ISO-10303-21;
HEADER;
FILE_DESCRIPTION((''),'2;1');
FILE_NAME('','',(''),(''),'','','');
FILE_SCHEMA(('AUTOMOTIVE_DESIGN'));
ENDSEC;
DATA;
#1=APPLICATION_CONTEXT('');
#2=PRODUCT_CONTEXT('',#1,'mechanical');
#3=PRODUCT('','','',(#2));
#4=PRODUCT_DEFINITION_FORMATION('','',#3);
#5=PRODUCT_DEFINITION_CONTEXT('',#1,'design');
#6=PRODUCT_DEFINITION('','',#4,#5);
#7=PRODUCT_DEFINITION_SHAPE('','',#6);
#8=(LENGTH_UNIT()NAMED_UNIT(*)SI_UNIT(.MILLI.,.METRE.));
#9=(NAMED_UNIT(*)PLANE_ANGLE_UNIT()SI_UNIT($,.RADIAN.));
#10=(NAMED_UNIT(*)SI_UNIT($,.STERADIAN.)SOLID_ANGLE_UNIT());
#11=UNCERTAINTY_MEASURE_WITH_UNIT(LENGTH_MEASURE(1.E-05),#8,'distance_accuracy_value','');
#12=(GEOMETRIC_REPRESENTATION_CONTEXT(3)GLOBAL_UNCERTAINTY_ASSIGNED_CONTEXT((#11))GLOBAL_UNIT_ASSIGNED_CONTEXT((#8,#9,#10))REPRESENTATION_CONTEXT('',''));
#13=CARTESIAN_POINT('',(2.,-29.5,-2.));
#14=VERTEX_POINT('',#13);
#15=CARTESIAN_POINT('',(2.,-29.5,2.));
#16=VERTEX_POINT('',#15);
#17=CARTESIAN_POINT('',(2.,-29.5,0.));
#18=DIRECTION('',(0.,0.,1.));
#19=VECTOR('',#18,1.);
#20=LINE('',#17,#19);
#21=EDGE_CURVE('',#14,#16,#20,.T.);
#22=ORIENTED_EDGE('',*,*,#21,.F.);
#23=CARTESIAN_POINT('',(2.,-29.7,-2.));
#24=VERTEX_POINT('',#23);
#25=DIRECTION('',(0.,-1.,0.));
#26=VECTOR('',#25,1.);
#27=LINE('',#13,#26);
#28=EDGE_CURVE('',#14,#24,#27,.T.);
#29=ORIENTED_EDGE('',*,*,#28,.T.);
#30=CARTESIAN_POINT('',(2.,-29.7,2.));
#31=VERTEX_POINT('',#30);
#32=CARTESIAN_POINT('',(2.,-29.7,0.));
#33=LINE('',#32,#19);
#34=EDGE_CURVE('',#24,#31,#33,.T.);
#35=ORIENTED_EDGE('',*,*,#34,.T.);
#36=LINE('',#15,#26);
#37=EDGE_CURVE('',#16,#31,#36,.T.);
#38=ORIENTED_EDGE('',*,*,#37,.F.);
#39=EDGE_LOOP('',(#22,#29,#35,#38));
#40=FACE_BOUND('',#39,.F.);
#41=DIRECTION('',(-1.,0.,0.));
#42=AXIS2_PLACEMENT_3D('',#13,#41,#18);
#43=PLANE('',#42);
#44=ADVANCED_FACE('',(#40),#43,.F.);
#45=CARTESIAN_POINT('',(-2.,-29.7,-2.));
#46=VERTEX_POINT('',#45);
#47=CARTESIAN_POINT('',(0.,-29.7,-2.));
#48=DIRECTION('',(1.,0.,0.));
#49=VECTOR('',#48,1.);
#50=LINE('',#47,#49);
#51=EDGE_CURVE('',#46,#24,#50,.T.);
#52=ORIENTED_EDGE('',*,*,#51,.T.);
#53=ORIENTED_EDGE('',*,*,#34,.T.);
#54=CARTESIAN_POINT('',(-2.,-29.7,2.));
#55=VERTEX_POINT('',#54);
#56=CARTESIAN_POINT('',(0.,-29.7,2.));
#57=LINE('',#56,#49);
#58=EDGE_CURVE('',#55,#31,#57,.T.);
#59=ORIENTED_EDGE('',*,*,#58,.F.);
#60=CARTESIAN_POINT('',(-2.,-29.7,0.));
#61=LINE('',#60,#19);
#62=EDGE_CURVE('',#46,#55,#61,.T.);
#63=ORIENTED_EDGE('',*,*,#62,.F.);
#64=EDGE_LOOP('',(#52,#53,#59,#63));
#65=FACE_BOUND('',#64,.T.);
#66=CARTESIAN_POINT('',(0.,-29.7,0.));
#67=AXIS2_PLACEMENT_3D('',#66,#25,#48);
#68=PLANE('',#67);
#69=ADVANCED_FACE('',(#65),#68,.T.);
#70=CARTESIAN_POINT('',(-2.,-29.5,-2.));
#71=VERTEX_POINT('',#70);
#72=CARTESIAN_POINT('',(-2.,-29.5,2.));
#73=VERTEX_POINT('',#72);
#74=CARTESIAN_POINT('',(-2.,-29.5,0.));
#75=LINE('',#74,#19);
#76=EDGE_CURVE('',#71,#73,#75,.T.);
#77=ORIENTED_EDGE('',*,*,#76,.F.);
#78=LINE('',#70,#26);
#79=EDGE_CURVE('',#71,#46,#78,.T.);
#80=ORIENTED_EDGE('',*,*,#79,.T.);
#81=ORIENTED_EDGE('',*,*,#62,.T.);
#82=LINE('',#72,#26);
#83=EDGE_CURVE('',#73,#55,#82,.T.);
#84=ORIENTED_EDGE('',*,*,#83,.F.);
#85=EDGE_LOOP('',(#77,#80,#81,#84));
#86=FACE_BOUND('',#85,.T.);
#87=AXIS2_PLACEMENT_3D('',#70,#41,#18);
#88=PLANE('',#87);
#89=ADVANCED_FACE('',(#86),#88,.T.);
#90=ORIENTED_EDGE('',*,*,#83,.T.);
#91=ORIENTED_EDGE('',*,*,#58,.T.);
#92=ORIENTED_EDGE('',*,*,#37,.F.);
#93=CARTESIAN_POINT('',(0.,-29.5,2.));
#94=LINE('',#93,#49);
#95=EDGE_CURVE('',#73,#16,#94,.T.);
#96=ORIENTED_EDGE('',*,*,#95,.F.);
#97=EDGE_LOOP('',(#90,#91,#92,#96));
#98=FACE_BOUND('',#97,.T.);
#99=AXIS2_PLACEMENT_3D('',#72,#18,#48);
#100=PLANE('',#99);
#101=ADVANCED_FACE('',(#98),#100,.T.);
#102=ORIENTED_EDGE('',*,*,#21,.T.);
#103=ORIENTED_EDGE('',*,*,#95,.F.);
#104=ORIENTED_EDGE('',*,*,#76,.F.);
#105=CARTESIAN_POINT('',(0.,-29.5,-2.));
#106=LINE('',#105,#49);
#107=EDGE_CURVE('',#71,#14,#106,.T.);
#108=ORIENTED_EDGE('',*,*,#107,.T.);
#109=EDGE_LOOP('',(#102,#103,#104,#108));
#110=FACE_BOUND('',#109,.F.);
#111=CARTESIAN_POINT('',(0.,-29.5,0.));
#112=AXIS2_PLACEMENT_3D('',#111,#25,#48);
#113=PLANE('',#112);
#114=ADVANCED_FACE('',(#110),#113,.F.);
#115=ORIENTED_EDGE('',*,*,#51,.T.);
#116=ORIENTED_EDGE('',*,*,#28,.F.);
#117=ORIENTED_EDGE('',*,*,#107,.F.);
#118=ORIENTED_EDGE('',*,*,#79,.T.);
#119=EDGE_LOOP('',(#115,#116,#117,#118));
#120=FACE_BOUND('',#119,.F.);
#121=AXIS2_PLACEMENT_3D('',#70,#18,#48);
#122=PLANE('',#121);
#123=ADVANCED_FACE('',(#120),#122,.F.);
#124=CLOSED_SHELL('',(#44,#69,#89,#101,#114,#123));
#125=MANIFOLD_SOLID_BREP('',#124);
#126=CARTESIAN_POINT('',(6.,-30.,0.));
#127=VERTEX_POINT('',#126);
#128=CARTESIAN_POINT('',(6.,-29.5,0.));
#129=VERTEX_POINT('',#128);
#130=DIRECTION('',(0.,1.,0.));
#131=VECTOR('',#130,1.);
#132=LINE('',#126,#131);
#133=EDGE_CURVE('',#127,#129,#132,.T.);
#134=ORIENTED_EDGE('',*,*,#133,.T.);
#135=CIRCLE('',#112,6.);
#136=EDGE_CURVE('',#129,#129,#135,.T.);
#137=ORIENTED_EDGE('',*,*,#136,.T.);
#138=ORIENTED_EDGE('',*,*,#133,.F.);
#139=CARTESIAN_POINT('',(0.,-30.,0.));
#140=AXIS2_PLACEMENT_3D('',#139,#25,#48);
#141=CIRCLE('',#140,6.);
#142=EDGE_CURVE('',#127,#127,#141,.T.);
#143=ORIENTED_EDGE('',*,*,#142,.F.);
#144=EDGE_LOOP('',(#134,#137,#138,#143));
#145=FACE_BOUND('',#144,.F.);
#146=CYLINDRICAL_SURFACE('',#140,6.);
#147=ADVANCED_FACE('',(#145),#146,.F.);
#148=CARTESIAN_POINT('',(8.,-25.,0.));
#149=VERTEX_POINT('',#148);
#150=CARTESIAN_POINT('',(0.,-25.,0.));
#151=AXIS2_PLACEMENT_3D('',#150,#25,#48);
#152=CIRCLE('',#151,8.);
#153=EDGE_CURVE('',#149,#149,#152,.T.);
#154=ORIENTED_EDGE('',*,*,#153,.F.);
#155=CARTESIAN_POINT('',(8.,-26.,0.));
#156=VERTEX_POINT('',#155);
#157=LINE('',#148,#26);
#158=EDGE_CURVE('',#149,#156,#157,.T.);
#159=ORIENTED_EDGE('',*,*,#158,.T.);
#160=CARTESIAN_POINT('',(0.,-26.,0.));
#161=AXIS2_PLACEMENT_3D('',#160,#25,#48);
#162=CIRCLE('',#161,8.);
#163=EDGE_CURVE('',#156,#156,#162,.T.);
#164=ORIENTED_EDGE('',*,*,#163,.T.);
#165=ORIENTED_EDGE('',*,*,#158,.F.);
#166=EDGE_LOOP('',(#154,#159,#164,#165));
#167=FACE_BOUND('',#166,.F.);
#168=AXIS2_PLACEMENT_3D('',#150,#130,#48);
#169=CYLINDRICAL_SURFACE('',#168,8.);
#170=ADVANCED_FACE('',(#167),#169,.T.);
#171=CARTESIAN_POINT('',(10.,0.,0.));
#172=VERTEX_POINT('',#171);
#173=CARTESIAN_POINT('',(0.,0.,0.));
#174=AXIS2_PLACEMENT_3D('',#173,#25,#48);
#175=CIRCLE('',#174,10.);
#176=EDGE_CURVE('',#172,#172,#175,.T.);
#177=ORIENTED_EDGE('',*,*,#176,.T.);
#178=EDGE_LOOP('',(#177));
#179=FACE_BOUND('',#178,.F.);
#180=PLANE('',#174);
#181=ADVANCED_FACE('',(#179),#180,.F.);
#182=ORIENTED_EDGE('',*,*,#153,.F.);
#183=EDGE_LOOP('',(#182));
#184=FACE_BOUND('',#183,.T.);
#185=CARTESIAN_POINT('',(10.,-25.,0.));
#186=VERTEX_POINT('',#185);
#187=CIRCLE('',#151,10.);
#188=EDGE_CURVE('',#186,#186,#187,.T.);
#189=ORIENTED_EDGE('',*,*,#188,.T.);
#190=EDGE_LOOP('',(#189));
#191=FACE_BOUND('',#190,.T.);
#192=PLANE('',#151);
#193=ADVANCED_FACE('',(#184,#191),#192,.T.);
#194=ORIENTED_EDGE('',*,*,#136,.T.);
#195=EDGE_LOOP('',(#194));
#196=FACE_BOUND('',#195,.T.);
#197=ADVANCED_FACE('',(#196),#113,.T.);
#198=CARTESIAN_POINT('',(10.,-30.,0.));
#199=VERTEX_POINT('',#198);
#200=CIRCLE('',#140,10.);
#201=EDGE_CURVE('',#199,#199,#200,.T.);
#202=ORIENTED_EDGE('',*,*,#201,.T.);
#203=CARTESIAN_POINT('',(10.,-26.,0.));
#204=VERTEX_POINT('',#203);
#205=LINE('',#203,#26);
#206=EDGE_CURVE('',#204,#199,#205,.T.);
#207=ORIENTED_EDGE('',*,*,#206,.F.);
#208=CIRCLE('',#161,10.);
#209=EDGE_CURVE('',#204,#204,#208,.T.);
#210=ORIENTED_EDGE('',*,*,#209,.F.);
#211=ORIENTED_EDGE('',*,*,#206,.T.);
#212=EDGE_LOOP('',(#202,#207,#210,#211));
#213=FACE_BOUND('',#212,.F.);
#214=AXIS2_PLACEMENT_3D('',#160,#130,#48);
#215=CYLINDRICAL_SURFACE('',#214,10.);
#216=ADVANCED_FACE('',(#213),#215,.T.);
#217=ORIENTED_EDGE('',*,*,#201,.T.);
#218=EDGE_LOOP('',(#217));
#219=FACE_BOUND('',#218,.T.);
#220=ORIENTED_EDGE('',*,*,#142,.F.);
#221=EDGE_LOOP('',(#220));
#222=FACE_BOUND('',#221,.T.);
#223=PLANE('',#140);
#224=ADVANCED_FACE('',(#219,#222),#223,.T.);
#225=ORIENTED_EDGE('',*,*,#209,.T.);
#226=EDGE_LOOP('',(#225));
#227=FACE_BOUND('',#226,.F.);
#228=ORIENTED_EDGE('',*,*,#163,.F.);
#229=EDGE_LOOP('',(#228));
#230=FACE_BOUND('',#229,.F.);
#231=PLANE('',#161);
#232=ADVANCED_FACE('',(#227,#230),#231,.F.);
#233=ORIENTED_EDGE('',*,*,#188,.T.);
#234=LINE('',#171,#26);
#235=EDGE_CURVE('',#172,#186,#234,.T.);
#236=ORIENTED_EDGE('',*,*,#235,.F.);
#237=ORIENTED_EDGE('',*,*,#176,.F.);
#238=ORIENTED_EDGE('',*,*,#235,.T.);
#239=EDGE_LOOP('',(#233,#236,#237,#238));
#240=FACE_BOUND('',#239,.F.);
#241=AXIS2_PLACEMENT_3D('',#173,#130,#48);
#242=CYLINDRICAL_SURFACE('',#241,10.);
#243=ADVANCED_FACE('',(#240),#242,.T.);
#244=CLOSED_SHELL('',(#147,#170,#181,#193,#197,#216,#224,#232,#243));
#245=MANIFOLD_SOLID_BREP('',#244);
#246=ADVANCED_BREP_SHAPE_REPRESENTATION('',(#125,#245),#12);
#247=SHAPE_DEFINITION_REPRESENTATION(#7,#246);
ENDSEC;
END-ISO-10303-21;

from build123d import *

# Parameters (mm, degrees)
F0_R     = 10
F1_DEPTH = 25
F2_R     = 8
F3_DEPTH = 1
F4_R     = 10
F4_R_2   = 8
F5_DEPTH = 4
F6_R     = 6
F7_DEPTH = 0.5
F8_W     = 4
F8_H     = 4
F9_DEPTH = 0.2


with BuildPart() as f1:
    # F0 (on Front) → F1 (new body)
    with BuildSketch(Plane.XZ):
        Circle(F0_R)
    extrude(amount=F1_DEPTH)

    # F2 (on face) → F3 (join)
    with BuildSketch(Plane.XZ.offset(25)):
        Circle(F2_R)
    extrude(amount=F3_DEPTH)

    # F4 (on face) → F5 (join)
    with BuildSketch(Plane.XZ.offset(26)):
        Circle(F4_R)
        Circle(F4_R_2, mode=Mode.SUBTRACT)
        Circle(F4_R_2)
    extrude(amount=F5_DEPTH)

    # F6 (on face) → F7 (cut)
    with BuildSketch(Plane.XZ.offset(30)):
        Circle(F6_R)
    extrude(amount=-F7_DEPTH, mode=Mode.SUBTRACT)


with BuildPart() as f9:
    # F8 (on face) → F9 (new body)
    with BuildSketch(Plane.XZ.offset(29.5)):
        Rectangle(F8_W, F8_H)
    extrude(amount=F9_DEPTH)


solid = Compound([f1.part, f9.part])
